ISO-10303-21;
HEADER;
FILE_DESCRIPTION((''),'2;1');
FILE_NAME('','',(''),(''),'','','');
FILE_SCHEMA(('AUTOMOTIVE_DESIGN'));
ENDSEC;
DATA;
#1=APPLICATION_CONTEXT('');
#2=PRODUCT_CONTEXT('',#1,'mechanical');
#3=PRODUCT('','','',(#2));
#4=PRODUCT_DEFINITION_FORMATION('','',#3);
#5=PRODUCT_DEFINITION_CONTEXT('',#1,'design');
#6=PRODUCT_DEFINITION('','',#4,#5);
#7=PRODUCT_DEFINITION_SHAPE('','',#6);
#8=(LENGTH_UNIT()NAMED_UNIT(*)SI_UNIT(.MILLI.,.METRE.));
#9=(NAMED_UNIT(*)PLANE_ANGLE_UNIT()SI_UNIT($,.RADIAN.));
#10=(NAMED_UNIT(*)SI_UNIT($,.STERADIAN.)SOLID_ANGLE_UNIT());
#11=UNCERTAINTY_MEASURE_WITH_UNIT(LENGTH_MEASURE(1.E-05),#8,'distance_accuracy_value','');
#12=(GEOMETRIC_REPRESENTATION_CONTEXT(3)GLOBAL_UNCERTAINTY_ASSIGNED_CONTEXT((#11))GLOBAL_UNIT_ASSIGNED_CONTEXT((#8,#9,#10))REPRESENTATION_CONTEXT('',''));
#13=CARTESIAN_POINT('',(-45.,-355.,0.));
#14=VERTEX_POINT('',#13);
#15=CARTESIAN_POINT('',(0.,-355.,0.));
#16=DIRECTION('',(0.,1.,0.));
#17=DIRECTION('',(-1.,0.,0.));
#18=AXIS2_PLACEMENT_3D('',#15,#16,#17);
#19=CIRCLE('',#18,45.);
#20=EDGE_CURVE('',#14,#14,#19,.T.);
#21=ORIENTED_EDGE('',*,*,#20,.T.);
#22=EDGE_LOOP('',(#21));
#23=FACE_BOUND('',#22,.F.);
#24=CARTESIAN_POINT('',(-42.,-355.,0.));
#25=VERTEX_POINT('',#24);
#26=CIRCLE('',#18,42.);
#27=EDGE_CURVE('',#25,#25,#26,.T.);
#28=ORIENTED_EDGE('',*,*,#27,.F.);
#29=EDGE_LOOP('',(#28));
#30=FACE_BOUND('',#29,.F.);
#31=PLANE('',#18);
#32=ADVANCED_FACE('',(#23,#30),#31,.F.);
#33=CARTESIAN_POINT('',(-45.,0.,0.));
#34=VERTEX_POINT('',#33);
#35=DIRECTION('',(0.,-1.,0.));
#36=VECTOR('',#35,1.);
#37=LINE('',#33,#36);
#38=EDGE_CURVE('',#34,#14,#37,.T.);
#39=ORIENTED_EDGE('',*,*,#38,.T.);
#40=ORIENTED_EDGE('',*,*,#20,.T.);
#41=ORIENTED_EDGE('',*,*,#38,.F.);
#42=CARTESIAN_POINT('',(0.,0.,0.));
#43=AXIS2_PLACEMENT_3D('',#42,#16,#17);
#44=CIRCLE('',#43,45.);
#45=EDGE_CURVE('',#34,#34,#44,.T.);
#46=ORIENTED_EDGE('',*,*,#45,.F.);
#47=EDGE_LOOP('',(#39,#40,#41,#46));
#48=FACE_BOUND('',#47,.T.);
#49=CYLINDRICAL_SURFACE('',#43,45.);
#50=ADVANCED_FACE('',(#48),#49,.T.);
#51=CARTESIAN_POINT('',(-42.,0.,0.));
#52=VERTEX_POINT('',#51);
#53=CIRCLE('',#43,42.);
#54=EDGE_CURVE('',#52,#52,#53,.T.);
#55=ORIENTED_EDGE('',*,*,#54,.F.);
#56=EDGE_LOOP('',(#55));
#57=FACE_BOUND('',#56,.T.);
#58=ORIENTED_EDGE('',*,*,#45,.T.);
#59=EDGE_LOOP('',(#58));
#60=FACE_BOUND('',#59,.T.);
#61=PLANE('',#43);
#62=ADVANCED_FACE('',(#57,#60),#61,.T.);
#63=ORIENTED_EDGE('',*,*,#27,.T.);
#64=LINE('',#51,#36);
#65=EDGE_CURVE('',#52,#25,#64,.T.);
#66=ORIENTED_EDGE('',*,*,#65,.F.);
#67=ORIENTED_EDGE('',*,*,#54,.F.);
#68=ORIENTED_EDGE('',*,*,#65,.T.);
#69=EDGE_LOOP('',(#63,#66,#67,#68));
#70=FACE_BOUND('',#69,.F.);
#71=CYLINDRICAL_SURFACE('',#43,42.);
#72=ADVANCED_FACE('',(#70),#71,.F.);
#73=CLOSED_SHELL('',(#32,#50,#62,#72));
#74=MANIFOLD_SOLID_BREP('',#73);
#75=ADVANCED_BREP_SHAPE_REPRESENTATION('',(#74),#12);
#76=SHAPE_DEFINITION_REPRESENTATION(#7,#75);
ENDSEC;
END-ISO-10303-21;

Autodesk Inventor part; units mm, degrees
ref_plane "YZ Plane" through (0, 0, 0) normal (1, 0, 0) x (0, 1, 0)
ref_plane "XZ Plane" through (0, 0, 0) normal (0, 1, 0) x (-1, 0, 0)
ref_plane "XY Plane" through (0, 0, 0) normal (0, 0, 1) x (1, 0, 0)
sketch "Sketch1" plane through (0, 0, 0) normal (0, 1, 0) x (-1, 0, 0)
  circle A0 centre (0, 0) radius 45
  circle A1 centre (0, 0) radius 42
  dimension "d0" = 90
  dimension "d1" = 3
extrude "Extrusion1" add sketch "Sketch1" against normal blind 355
properties part number "PNS 1733 FDS tube 3" material "Steel"
